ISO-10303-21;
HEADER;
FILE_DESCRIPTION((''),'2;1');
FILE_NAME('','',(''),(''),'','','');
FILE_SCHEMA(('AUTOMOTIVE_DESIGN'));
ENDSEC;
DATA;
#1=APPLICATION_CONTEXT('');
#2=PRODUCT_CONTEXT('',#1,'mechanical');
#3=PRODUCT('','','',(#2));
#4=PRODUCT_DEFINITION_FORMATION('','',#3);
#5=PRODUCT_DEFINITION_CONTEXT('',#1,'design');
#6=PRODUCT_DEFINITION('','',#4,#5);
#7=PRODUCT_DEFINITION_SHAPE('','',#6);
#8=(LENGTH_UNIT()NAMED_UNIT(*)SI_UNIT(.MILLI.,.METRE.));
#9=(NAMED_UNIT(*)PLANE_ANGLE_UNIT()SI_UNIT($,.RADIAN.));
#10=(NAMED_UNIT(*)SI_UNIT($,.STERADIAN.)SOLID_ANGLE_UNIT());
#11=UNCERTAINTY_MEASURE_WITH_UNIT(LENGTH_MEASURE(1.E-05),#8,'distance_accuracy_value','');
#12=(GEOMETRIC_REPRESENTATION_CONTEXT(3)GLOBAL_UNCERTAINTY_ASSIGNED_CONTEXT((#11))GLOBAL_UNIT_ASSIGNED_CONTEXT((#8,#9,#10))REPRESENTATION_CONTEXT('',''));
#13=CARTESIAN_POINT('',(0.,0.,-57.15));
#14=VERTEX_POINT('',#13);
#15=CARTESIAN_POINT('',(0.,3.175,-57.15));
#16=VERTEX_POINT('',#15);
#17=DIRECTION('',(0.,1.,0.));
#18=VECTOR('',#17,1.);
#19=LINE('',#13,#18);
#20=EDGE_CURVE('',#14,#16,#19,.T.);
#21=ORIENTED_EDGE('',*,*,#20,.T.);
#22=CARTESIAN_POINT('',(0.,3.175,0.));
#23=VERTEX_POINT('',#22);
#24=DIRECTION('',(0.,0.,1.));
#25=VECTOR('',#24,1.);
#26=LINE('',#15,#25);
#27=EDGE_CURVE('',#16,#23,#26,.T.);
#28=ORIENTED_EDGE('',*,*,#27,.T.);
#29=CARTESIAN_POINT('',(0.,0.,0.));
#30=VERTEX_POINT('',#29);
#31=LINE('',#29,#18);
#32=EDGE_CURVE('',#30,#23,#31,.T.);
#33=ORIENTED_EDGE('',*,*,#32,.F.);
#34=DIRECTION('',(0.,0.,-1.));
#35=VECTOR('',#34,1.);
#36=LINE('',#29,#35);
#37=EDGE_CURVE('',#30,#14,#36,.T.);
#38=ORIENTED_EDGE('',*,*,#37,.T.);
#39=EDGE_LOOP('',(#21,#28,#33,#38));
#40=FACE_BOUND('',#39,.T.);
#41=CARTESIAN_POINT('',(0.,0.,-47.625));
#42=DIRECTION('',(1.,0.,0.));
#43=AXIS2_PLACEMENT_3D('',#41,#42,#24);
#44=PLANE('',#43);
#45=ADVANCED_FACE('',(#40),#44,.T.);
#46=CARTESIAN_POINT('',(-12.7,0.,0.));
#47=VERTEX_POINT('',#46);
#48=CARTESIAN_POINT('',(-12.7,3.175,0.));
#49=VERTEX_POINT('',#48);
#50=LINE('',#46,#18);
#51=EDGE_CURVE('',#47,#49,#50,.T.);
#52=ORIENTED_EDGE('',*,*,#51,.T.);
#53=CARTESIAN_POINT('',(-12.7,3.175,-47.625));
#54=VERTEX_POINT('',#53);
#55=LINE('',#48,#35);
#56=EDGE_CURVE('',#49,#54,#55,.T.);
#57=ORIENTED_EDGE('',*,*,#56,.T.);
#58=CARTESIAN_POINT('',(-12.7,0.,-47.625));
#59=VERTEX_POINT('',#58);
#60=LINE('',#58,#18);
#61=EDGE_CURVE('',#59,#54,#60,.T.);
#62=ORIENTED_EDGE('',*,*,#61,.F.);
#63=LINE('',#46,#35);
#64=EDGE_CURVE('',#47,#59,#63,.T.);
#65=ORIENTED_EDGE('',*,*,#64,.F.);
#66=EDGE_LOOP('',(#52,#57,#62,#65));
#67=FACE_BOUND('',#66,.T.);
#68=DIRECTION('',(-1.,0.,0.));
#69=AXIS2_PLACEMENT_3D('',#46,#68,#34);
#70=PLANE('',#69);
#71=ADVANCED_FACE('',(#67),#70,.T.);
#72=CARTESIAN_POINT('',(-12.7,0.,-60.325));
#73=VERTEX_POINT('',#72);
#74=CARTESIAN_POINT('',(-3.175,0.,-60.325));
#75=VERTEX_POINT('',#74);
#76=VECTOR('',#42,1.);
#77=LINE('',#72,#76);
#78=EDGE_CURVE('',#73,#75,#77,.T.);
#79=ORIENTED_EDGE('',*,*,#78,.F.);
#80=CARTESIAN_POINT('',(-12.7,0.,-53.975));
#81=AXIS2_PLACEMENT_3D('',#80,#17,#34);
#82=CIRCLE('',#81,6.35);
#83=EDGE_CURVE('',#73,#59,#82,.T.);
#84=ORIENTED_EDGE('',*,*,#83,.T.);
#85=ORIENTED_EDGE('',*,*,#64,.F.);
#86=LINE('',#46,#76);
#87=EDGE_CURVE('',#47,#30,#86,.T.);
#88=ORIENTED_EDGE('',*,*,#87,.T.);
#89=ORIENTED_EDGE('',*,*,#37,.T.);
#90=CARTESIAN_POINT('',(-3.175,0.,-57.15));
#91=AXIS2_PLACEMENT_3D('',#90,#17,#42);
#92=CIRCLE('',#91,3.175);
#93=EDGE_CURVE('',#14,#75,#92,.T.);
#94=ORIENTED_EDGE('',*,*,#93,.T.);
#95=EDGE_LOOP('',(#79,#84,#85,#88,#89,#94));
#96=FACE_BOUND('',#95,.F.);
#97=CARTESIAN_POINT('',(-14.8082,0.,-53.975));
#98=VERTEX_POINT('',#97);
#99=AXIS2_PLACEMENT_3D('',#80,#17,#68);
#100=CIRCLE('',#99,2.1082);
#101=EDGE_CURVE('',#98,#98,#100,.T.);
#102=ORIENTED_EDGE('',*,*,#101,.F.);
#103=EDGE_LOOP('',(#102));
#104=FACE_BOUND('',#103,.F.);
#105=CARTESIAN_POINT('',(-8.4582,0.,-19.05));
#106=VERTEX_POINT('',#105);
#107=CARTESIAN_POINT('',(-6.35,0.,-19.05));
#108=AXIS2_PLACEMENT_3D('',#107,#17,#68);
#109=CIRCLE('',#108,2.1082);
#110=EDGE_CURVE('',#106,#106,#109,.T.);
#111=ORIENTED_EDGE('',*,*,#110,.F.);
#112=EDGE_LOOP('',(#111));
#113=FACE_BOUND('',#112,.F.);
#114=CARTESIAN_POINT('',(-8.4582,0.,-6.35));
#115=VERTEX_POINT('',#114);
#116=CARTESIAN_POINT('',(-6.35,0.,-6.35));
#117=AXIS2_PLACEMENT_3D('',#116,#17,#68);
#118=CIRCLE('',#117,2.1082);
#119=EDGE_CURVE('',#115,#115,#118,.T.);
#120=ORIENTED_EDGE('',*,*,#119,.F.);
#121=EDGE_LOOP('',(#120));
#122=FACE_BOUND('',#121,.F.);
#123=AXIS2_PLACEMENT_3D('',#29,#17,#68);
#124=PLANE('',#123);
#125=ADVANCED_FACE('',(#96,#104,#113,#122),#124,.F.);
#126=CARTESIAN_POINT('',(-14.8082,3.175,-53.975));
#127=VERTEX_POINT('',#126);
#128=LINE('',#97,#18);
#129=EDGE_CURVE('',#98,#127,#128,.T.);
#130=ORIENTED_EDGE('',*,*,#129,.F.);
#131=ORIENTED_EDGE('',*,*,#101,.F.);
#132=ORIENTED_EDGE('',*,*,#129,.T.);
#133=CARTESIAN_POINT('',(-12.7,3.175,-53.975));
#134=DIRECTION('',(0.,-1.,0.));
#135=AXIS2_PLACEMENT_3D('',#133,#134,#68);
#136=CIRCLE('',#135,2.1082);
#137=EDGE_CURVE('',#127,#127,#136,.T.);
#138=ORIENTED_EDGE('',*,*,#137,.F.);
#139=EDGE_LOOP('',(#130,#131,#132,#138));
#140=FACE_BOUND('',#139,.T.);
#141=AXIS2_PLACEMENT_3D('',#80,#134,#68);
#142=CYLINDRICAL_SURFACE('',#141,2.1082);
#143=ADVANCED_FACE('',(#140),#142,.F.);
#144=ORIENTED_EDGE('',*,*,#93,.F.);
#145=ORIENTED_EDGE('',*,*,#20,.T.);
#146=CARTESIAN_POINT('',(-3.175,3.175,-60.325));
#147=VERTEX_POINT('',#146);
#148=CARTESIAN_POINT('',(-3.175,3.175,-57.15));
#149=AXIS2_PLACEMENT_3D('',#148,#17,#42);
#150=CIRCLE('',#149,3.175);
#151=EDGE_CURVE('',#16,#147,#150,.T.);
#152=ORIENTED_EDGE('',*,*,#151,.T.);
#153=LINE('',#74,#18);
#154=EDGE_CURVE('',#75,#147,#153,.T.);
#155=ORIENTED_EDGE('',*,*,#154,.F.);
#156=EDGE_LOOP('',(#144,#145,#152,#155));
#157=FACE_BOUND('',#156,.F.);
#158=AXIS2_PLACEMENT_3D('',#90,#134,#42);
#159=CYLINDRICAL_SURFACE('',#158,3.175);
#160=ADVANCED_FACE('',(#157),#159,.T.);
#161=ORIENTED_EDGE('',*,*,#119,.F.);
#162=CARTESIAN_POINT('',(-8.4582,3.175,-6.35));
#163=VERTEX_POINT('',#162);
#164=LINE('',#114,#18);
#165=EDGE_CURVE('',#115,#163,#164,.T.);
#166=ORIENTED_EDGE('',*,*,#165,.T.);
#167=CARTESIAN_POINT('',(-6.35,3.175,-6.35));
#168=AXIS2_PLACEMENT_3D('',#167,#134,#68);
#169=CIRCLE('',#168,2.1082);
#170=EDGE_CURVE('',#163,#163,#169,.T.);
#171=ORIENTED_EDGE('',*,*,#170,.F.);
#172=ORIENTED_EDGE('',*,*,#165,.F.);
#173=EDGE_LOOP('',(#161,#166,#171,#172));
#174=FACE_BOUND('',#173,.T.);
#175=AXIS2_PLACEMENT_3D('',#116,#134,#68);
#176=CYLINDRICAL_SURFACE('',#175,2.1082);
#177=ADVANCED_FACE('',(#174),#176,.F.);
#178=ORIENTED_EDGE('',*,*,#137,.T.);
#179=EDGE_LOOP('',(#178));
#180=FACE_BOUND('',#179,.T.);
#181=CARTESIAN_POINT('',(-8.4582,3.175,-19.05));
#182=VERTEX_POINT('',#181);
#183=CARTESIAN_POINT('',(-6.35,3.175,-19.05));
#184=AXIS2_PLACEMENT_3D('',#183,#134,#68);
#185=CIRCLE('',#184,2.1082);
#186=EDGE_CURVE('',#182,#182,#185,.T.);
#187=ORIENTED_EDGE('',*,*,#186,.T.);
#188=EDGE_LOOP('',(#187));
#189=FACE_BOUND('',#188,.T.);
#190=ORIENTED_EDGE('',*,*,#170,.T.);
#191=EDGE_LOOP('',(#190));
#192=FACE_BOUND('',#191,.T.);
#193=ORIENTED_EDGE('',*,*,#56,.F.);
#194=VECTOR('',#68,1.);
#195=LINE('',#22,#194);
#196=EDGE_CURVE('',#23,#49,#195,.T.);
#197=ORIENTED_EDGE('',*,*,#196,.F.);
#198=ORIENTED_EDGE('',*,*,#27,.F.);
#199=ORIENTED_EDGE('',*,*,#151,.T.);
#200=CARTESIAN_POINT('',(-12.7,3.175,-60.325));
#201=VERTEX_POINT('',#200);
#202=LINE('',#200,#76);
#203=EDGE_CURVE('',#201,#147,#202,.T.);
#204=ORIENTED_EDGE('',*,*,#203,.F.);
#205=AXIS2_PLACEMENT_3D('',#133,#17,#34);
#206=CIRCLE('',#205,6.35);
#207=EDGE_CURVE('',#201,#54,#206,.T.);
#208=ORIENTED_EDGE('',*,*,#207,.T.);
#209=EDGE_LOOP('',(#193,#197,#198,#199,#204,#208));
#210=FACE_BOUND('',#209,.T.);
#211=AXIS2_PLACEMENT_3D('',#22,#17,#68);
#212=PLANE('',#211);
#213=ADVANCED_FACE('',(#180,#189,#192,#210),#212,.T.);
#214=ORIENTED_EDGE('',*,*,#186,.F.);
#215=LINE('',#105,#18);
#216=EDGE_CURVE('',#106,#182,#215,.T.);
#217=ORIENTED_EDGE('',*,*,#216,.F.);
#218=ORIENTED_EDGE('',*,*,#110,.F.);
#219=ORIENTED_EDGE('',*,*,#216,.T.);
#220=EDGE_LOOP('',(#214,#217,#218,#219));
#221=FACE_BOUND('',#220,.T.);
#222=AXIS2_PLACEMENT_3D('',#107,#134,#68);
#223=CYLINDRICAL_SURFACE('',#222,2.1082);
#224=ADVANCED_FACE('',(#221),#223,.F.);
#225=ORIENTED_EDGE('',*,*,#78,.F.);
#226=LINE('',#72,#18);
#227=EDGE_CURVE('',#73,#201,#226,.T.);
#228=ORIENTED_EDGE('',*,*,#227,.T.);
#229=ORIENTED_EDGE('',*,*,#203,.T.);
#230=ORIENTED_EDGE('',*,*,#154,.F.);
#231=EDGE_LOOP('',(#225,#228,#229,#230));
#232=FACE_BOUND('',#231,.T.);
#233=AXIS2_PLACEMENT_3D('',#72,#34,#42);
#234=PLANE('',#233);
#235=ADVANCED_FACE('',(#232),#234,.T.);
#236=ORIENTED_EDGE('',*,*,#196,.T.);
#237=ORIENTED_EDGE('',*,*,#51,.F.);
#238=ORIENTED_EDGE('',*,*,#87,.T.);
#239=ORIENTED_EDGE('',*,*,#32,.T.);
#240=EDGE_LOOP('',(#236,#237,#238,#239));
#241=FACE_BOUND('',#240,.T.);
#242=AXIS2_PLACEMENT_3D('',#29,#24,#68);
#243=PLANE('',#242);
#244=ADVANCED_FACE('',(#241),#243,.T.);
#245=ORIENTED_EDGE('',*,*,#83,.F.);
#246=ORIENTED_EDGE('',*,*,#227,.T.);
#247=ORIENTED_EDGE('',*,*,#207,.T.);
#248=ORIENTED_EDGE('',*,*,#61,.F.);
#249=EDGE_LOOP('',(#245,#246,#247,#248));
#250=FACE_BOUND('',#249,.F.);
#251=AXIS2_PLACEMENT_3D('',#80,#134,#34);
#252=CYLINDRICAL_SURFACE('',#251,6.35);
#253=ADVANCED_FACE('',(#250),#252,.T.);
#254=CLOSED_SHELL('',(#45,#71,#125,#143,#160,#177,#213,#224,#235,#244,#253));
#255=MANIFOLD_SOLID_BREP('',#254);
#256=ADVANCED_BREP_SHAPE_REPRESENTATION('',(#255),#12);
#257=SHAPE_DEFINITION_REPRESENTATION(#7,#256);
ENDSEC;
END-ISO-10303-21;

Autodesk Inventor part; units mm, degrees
ref_plane "YZ Plane" through (0, 0, 0) normal (1, 0, 0) x (0, 1, 0)
ref_plane "XZ Plane" through (0, 0, 0) normal (0, 1, 0) x (-1, 0, 0)
ref_plane "XY Plane" through (0, 0, 0) normal (0, 0, 1) x (1, 0, 0)
sketch "Sketch1" plane through (0, 0, 0) normal (0, 1, 0) x (-1, 0, 0)
  line L0 (0, 0) -> (12.7, 0)
  line L1 (12.7, 0) -> (12.7, -47.625)
  line L2 (12.7, -47.625) -> (0, -47.625)
  line L3 (0, -47.625) -> (0, 0)
  line L4 (6.35, 0) -> (6.35, -6.35)
  circle A0 centre (6.35, -6.35) radius 2.1082
  line L5 (6.35, -6.35) -> (6.35, -19.05)
  circle A1 centre (6.35, -19.05) radius 2.1082
  line L6 (6.35, -19.05) -> (6.35, -53.975)
  line L7 (6.35, -53.975) -> (12.7, -53.975)
  circle A2 centre (12.7, -53.975) radius 2.1082
  line L8 (12.7, -53.975) -> (12.7, -60.325)
  arc A3 (12.7, -60.325) -> (12.7, -47.625) centre (12.7, -53.975) ccw
  line L9 (0, -47.625) -> (0, -53.975)
  line L10 (12.7, -60.325) -> (3.175, -60.325)
  line L11 (0, -57.15) -> (0, -53.975)
  arc A4 (0, -57.15) -> (3.175, -60.325) centre (3.175, -57.15) ccw
  dimension "d0" = 12.7
  dimension "d1" = 6.35
  dimension "d2" = 4.2164
  dimension "d3" = 47.625
  dimension "d4" = 12.7
  dimension "d5" = 34.925
  dimension "d6" = 6.35
  dimension "d7" = 4.2164
  dimension "d8" = 6.35
  dimension "d9" = 3.175
extrude "Extrusion1" add sketch "Sketch1" along normal blind 3.175 contours L0 L4 A0 L5 A1 L6 L2 L3 | L0 L1 L2 L6 A1 L5 A0 L4 | L2 L6 L7 A2 L8 L10 A4 L11 L9 | L2 A3 L8 A2 L7 L6
properties part number "wing mount no stopper" material "Aluminum 6061"
